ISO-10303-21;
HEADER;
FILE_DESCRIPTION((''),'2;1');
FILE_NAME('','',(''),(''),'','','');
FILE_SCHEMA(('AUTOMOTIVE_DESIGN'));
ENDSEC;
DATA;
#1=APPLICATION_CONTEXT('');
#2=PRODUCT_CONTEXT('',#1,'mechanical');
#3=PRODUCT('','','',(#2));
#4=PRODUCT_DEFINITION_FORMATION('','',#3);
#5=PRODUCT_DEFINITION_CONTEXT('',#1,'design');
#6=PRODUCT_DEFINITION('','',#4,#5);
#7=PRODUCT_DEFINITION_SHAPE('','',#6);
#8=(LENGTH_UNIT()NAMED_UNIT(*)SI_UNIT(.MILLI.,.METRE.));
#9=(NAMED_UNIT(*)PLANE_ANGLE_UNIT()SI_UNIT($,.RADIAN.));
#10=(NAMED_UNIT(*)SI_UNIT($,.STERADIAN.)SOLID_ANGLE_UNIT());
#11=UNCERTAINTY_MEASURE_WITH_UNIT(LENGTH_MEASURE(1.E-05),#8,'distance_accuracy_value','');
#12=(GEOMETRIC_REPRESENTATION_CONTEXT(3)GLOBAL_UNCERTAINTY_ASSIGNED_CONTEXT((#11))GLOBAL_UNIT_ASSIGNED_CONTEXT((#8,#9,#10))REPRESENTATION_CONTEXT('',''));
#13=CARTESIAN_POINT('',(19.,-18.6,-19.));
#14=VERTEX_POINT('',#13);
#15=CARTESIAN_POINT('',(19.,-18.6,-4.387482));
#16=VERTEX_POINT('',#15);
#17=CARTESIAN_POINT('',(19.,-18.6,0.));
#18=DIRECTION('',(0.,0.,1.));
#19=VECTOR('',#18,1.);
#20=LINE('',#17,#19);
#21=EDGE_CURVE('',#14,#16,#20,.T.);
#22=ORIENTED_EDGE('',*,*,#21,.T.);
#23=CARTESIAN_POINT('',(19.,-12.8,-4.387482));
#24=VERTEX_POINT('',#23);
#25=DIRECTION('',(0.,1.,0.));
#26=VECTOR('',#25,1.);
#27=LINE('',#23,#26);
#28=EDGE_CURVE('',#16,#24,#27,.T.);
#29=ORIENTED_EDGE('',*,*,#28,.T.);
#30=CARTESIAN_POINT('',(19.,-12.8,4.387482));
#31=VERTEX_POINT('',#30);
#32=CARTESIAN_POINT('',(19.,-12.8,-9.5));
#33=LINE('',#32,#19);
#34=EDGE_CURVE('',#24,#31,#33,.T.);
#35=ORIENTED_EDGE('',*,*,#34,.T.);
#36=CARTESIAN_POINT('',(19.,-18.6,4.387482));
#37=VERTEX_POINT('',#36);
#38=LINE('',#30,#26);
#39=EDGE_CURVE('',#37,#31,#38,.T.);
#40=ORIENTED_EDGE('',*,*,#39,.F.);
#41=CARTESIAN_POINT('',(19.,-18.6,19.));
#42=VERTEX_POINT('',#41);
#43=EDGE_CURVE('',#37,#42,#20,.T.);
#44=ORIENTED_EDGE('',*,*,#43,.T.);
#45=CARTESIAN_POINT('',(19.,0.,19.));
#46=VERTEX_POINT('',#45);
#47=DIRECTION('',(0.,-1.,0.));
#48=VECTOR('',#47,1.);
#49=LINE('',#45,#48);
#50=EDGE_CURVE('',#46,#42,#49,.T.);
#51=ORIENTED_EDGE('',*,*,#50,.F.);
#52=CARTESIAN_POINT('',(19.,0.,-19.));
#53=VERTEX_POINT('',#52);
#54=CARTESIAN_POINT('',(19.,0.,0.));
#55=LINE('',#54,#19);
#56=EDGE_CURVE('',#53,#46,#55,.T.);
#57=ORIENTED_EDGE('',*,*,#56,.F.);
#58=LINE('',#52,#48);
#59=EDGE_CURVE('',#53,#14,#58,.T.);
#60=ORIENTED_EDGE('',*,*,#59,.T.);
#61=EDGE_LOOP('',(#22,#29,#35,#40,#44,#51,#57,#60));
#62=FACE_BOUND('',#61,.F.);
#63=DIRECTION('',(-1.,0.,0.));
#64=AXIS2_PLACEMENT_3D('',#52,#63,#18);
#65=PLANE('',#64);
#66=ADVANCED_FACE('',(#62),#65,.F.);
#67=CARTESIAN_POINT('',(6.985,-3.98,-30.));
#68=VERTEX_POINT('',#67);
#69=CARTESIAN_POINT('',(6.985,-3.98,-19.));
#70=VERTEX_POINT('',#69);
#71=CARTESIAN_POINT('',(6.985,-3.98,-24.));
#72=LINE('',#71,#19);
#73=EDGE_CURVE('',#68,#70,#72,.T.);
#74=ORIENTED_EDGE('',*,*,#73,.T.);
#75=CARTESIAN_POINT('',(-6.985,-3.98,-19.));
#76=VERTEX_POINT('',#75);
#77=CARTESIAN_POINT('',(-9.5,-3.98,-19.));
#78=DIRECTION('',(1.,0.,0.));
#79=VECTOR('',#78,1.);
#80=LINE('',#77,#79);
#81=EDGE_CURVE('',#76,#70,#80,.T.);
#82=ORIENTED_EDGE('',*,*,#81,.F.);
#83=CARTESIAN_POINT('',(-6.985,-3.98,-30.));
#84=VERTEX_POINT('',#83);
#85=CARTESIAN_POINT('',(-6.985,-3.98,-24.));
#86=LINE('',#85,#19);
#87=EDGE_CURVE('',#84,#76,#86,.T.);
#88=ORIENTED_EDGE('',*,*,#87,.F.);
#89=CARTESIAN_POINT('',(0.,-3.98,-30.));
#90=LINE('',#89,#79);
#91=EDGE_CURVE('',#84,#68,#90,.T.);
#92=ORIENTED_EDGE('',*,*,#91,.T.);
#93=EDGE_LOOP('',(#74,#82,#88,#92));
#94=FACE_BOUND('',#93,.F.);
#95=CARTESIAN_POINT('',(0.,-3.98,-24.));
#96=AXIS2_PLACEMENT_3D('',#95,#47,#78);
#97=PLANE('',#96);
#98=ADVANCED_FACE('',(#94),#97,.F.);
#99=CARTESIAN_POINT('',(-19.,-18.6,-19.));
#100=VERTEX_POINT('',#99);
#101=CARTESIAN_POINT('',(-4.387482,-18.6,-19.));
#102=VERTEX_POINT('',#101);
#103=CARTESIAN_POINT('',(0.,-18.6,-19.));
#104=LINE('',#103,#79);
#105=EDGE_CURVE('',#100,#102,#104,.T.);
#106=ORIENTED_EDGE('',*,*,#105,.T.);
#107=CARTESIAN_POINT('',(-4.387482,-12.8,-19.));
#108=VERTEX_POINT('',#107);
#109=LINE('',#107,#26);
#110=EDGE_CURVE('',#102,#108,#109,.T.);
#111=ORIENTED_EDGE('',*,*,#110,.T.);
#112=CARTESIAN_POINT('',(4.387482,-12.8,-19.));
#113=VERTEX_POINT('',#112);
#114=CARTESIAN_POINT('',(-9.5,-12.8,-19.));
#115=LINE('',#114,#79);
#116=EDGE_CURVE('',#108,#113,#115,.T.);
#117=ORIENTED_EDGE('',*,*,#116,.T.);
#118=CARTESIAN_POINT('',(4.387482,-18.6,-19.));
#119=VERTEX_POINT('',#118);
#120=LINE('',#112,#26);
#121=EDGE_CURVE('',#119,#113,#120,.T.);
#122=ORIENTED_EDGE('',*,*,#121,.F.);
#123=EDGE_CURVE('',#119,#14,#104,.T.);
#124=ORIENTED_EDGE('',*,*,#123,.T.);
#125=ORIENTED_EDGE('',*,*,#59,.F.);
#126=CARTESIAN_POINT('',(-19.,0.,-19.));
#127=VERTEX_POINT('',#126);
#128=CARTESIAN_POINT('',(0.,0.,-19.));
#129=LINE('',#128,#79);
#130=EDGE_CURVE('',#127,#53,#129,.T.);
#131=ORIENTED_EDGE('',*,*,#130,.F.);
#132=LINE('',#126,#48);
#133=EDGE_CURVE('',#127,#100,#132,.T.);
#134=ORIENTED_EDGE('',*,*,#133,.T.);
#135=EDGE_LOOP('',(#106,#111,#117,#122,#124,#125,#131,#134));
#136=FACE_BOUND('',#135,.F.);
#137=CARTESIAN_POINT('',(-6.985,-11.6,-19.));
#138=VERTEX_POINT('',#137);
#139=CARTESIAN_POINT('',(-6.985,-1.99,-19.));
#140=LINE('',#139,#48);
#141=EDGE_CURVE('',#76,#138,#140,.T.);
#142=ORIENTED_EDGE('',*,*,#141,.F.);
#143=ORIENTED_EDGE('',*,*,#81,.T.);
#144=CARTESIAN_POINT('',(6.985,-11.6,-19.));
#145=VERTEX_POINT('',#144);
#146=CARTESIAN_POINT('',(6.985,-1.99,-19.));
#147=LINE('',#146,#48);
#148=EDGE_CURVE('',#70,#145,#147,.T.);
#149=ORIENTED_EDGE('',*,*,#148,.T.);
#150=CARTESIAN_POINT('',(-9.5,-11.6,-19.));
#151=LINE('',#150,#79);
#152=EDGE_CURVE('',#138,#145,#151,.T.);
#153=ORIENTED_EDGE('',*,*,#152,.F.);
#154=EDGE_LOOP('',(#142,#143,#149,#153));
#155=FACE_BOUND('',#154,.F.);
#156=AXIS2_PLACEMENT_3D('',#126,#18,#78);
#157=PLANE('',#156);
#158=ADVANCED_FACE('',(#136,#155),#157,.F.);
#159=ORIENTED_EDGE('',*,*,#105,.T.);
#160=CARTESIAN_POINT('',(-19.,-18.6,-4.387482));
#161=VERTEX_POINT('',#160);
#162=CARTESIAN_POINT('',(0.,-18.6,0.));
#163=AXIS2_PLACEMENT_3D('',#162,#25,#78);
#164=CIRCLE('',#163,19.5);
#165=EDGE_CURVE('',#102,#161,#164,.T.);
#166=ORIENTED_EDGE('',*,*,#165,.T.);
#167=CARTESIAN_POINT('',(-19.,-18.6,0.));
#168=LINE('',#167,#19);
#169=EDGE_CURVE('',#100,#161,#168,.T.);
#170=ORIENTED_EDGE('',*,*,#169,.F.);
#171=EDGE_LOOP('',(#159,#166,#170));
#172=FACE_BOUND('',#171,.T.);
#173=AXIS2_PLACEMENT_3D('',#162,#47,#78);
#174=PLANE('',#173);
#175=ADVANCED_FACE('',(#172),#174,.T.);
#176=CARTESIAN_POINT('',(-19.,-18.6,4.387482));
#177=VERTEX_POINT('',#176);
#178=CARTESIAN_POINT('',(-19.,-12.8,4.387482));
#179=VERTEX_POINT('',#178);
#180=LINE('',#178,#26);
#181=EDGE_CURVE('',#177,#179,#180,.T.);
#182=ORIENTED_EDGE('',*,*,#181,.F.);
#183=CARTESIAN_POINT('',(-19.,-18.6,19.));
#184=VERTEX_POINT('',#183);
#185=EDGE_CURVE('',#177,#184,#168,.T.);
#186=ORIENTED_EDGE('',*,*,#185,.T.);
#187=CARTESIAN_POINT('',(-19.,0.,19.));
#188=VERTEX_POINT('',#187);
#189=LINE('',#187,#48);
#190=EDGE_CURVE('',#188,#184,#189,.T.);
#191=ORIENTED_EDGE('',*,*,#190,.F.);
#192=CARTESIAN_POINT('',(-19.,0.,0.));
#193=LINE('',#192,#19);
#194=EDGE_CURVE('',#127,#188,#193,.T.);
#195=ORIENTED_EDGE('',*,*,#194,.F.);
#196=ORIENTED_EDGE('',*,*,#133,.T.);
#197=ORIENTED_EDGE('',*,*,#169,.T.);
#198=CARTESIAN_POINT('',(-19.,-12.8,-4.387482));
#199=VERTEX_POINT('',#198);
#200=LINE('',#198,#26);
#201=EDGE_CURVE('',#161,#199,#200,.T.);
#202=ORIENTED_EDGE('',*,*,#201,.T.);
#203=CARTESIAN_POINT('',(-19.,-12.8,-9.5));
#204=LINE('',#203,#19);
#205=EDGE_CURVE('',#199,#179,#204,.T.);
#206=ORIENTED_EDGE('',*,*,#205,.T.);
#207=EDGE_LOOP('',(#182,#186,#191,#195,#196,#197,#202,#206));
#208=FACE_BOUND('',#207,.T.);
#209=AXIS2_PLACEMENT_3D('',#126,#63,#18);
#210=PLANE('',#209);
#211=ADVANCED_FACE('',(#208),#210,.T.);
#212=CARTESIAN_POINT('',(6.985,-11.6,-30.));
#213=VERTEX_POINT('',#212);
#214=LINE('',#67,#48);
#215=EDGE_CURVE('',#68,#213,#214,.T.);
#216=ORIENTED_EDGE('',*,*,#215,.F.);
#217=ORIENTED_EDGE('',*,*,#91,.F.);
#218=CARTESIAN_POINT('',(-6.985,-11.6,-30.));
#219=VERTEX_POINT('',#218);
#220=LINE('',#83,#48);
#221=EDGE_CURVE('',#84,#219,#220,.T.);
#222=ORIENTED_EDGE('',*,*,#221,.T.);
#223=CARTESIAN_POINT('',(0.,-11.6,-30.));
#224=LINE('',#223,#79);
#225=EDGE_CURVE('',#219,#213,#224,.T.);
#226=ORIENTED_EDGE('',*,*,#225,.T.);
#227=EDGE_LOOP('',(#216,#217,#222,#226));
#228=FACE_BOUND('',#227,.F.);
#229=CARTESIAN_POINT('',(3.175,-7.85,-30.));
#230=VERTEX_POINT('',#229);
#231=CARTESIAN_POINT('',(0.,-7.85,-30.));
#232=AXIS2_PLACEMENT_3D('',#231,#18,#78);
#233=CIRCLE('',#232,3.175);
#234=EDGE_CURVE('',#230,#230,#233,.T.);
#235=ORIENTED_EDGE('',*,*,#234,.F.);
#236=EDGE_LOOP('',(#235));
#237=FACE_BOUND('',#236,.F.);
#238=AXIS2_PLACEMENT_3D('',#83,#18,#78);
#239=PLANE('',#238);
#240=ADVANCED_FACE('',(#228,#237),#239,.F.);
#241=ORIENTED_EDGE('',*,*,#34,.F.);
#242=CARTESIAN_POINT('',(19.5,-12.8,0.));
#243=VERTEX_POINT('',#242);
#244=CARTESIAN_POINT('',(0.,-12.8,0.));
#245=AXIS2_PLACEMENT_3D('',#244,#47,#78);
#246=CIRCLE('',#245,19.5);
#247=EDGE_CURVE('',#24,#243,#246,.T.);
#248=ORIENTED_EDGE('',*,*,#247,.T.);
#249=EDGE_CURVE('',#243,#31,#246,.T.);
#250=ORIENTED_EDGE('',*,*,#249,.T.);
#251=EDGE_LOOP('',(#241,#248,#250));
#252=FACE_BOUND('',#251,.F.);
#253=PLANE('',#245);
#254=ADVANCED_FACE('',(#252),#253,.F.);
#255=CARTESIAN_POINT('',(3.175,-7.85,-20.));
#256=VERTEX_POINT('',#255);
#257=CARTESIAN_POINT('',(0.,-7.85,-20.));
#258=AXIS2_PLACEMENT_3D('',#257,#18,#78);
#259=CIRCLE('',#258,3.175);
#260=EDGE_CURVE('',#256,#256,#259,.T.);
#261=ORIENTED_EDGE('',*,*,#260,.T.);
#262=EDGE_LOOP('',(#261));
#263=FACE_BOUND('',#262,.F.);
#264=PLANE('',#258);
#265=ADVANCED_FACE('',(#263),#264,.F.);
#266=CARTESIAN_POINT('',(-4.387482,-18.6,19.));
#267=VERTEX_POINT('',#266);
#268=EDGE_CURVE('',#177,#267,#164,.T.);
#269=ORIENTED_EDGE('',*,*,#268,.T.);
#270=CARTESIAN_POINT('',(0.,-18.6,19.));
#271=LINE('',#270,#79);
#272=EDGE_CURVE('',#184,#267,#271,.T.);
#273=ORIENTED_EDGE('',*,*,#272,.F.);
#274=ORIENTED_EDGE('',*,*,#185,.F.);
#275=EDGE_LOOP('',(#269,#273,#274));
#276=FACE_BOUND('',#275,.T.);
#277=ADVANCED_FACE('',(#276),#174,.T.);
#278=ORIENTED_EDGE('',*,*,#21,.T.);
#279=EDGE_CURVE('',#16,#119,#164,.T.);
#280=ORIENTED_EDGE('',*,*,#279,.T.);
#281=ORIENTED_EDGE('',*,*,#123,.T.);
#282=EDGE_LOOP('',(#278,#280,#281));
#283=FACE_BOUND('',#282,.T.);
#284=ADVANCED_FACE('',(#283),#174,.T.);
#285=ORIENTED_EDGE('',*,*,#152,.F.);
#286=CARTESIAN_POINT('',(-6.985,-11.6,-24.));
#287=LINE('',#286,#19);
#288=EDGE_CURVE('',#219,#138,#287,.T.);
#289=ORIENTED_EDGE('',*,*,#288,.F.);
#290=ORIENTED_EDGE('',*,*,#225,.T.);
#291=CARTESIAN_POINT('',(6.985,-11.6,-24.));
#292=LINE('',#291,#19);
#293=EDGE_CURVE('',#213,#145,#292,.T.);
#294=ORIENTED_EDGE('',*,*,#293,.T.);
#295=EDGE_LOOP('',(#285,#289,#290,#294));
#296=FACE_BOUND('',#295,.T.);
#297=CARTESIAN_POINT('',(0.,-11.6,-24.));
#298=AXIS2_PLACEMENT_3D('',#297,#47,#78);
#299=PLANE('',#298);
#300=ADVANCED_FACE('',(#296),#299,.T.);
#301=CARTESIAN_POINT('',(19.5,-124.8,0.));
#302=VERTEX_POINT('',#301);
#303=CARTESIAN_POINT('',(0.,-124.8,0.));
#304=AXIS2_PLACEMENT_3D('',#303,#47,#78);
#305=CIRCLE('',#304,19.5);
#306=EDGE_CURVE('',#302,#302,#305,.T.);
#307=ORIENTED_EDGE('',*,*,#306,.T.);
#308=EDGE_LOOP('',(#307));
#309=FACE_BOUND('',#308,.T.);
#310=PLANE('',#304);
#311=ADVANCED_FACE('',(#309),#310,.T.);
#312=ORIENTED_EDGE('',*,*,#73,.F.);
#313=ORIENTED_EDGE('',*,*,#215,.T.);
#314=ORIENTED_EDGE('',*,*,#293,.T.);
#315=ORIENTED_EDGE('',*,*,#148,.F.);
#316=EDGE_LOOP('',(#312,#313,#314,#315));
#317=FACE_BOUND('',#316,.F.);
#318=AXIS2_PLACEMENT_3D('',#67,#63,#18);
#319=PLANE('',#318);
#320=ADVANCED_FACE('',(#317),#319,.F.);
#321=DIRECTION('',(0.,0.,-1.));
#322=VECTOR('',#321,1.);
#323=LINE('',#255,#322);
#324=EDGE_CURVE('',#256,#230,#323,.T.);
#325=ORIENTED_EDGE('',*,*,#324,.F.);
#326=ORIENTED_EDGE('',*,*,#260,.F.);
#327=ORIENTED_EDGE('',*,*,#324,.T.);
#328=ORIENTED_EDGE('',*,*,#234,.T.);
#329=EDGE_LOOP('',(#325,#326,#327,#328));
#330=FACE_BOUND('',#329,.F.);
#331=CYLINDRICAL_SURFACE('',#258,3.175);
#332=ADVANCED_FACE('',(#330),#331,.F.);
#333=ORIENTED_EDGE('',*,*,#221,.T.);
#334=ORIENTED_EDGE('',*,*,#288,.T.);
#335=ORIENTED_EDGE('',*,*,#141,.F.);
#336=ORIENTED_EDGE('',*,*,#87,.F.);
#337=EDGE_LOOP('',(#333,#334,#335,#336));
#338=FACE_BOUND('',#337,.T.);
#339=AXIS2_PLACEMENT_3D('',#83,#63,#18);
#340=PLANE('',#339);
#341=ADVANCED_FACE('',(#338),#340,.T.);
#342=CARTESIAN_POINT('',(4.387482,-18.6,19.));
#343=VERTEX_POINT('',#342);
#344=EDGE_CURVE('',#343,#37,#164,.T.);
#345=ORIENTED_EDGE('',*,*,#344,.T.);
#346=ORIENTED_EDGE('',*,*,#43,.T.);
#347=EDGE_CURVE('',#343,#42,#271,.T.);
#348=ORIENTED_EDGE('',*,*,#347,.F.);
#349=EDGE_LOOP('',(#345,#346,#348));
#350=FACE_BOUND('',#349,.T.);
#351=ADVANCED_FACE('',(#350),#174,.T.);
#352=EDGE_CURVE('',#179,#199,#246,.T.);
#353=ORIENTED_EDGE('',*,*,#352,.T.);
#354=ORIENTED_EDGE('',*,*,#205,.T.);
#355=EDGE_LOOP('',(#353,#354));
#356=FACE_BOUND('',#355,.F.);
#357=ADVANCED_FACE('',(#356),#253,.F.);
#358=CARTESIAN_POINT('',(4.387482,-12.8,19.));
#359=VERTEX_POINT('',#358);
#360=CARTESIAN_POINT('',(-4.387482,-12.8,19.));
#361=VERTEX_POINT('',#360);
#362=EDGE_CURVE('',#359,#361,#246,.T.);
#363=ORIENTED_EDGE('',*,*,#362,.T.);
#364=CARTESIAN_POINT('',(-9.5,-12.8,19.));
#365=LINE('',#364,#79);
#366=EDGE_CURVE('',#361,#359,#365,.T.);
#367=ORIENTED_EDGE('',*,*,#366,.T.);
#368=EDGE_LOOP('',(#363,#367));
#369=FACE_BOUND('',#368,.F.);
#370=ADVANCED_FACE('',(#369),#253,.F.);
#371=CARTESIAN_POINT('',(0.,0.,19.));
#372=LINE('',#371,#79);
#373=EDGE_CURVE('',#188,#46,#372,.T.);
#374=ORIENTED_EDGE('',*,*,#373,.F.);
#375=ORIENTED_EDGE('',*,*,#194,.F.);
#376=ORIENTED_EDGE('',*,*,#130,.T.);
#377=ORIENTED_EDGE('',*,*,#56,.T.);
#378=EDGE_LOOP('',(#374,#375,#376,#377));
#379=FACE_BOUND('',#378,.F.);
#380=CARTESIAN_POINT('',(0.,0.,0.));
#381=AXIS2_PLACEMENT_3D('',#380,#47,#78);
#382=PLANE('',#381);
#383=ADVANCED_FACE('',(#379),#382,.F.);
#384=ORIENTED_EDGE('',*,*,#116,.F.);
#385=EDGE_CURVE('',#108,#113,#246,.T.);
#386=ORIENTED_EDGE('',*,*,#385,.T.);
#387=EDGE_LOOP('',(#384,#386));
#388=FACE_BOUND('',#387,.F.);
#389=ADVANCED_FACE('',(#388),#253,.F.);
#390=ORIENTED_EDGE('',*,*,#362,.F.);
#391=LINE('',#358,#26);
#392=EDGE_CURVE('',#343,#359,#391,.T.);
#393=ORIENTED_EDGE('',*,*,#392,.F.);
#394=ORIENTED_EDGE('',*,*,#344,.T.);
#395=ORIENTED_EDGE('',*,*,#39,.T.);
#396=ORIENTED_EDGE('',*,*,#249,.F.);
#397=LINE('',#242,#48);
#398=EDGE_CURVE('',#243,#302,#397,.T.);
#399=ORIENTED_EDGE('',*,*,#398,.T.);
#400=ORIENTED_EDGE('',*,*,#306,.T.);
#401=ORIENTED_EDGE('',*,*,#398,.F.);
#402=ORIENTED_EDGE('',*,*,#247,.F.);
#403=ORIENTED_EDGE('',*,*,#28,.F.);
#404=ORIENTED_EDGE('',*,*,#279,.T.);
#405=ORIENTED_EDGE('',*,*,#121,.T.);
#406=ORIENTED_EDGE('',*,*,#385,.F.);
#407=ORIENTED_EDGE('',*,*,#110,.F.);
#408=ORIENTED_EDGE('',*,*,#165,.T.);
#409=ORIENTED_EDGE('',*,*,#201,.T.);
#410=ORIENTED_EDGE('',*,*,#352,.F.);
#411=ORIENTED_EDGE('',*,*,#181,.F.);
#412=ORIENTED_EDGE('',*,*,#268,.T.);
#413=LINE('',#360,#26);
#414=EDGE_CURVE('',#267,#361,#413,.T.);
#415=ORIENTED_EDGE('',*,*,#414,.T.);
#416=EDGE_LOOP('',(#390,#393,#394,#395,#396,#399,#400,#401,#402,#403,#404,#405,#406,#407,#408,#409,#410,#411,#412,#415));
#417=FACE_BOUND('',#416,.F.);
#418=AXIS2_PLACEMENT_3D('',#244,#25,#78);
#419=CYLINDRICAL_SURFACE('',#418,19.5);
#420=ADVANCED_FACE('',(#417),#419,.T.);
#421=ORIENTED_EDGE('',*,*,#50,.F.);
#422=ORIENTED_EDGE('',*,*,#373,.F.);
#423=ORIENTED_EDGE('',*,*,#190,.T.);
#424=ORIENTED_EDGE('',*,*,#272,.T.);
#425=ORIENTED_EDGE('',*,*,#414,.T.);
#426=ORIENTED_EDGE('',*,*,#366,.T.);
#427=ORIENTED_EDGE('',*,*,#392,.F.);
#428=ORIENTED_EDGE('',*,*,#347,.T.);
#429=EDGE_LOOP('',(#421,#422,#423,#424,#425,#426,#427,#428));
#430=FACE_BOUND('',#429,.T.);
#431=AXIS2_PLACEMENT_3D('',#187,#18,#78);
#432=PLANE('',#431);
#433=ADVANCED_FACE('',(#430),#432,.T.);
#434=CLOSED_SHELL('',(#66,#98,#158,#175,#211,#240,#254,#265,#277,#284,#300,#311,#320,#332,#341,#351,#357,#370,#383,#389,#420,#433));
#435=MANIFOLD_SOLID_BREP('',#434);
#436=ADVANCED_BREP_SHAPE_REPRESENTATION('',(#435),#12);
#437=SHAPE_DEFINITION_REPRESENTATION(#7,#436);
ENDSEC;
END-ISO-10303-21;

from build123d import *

# Parameters (mm, degrees)
SKETCH_W     = 38
SKETCH_H     = 38
PAD_DEPTH    = 18.6
SKETCH001_W  = 13.97
SKETCH001_H  = 12
PAD001_DEPTH = 7.62
SKETCH002_R  = 19.5
PAD002_DEPTH = 112
SKETCH003_R  = 3.175
POCKET_DEPTH = 20


with BuildPart() as part:
    # Sketch → Pad (new body)
    with BuildSketch(Plane.XZ):
        Rectangle(SKETCH_W, SKETCH_H)
    extrude(amount=PAD_DEPTH)

    # Sketch001 → Pad001 (join)
    with BuildSketch(Plane.XZ.offset(3.98)):
        with Locations((0, -24)):
            Rectangle(SKETCH001_W, SKETCH001_H)
    extrude(amount=PAD001_DEPTH)

    # Sketch002 → Pad002 (join)
    with BuildSketch(Plane.XZ.offset(12.8)):
        Circle(SKETCH002_R)
    extrude(amount=PAD002_DEPTH)

    # Sketch003 → Pocket (cut)
    with BuildSketch(Plane.XY.offset(-20)):
        with Locations((0, -7.85)):
            Circle(SKETCH003_R)
    extrude(amount=-POCKET_DEPTH, mode=Mode.SUBTRACT)


solid = part.part
